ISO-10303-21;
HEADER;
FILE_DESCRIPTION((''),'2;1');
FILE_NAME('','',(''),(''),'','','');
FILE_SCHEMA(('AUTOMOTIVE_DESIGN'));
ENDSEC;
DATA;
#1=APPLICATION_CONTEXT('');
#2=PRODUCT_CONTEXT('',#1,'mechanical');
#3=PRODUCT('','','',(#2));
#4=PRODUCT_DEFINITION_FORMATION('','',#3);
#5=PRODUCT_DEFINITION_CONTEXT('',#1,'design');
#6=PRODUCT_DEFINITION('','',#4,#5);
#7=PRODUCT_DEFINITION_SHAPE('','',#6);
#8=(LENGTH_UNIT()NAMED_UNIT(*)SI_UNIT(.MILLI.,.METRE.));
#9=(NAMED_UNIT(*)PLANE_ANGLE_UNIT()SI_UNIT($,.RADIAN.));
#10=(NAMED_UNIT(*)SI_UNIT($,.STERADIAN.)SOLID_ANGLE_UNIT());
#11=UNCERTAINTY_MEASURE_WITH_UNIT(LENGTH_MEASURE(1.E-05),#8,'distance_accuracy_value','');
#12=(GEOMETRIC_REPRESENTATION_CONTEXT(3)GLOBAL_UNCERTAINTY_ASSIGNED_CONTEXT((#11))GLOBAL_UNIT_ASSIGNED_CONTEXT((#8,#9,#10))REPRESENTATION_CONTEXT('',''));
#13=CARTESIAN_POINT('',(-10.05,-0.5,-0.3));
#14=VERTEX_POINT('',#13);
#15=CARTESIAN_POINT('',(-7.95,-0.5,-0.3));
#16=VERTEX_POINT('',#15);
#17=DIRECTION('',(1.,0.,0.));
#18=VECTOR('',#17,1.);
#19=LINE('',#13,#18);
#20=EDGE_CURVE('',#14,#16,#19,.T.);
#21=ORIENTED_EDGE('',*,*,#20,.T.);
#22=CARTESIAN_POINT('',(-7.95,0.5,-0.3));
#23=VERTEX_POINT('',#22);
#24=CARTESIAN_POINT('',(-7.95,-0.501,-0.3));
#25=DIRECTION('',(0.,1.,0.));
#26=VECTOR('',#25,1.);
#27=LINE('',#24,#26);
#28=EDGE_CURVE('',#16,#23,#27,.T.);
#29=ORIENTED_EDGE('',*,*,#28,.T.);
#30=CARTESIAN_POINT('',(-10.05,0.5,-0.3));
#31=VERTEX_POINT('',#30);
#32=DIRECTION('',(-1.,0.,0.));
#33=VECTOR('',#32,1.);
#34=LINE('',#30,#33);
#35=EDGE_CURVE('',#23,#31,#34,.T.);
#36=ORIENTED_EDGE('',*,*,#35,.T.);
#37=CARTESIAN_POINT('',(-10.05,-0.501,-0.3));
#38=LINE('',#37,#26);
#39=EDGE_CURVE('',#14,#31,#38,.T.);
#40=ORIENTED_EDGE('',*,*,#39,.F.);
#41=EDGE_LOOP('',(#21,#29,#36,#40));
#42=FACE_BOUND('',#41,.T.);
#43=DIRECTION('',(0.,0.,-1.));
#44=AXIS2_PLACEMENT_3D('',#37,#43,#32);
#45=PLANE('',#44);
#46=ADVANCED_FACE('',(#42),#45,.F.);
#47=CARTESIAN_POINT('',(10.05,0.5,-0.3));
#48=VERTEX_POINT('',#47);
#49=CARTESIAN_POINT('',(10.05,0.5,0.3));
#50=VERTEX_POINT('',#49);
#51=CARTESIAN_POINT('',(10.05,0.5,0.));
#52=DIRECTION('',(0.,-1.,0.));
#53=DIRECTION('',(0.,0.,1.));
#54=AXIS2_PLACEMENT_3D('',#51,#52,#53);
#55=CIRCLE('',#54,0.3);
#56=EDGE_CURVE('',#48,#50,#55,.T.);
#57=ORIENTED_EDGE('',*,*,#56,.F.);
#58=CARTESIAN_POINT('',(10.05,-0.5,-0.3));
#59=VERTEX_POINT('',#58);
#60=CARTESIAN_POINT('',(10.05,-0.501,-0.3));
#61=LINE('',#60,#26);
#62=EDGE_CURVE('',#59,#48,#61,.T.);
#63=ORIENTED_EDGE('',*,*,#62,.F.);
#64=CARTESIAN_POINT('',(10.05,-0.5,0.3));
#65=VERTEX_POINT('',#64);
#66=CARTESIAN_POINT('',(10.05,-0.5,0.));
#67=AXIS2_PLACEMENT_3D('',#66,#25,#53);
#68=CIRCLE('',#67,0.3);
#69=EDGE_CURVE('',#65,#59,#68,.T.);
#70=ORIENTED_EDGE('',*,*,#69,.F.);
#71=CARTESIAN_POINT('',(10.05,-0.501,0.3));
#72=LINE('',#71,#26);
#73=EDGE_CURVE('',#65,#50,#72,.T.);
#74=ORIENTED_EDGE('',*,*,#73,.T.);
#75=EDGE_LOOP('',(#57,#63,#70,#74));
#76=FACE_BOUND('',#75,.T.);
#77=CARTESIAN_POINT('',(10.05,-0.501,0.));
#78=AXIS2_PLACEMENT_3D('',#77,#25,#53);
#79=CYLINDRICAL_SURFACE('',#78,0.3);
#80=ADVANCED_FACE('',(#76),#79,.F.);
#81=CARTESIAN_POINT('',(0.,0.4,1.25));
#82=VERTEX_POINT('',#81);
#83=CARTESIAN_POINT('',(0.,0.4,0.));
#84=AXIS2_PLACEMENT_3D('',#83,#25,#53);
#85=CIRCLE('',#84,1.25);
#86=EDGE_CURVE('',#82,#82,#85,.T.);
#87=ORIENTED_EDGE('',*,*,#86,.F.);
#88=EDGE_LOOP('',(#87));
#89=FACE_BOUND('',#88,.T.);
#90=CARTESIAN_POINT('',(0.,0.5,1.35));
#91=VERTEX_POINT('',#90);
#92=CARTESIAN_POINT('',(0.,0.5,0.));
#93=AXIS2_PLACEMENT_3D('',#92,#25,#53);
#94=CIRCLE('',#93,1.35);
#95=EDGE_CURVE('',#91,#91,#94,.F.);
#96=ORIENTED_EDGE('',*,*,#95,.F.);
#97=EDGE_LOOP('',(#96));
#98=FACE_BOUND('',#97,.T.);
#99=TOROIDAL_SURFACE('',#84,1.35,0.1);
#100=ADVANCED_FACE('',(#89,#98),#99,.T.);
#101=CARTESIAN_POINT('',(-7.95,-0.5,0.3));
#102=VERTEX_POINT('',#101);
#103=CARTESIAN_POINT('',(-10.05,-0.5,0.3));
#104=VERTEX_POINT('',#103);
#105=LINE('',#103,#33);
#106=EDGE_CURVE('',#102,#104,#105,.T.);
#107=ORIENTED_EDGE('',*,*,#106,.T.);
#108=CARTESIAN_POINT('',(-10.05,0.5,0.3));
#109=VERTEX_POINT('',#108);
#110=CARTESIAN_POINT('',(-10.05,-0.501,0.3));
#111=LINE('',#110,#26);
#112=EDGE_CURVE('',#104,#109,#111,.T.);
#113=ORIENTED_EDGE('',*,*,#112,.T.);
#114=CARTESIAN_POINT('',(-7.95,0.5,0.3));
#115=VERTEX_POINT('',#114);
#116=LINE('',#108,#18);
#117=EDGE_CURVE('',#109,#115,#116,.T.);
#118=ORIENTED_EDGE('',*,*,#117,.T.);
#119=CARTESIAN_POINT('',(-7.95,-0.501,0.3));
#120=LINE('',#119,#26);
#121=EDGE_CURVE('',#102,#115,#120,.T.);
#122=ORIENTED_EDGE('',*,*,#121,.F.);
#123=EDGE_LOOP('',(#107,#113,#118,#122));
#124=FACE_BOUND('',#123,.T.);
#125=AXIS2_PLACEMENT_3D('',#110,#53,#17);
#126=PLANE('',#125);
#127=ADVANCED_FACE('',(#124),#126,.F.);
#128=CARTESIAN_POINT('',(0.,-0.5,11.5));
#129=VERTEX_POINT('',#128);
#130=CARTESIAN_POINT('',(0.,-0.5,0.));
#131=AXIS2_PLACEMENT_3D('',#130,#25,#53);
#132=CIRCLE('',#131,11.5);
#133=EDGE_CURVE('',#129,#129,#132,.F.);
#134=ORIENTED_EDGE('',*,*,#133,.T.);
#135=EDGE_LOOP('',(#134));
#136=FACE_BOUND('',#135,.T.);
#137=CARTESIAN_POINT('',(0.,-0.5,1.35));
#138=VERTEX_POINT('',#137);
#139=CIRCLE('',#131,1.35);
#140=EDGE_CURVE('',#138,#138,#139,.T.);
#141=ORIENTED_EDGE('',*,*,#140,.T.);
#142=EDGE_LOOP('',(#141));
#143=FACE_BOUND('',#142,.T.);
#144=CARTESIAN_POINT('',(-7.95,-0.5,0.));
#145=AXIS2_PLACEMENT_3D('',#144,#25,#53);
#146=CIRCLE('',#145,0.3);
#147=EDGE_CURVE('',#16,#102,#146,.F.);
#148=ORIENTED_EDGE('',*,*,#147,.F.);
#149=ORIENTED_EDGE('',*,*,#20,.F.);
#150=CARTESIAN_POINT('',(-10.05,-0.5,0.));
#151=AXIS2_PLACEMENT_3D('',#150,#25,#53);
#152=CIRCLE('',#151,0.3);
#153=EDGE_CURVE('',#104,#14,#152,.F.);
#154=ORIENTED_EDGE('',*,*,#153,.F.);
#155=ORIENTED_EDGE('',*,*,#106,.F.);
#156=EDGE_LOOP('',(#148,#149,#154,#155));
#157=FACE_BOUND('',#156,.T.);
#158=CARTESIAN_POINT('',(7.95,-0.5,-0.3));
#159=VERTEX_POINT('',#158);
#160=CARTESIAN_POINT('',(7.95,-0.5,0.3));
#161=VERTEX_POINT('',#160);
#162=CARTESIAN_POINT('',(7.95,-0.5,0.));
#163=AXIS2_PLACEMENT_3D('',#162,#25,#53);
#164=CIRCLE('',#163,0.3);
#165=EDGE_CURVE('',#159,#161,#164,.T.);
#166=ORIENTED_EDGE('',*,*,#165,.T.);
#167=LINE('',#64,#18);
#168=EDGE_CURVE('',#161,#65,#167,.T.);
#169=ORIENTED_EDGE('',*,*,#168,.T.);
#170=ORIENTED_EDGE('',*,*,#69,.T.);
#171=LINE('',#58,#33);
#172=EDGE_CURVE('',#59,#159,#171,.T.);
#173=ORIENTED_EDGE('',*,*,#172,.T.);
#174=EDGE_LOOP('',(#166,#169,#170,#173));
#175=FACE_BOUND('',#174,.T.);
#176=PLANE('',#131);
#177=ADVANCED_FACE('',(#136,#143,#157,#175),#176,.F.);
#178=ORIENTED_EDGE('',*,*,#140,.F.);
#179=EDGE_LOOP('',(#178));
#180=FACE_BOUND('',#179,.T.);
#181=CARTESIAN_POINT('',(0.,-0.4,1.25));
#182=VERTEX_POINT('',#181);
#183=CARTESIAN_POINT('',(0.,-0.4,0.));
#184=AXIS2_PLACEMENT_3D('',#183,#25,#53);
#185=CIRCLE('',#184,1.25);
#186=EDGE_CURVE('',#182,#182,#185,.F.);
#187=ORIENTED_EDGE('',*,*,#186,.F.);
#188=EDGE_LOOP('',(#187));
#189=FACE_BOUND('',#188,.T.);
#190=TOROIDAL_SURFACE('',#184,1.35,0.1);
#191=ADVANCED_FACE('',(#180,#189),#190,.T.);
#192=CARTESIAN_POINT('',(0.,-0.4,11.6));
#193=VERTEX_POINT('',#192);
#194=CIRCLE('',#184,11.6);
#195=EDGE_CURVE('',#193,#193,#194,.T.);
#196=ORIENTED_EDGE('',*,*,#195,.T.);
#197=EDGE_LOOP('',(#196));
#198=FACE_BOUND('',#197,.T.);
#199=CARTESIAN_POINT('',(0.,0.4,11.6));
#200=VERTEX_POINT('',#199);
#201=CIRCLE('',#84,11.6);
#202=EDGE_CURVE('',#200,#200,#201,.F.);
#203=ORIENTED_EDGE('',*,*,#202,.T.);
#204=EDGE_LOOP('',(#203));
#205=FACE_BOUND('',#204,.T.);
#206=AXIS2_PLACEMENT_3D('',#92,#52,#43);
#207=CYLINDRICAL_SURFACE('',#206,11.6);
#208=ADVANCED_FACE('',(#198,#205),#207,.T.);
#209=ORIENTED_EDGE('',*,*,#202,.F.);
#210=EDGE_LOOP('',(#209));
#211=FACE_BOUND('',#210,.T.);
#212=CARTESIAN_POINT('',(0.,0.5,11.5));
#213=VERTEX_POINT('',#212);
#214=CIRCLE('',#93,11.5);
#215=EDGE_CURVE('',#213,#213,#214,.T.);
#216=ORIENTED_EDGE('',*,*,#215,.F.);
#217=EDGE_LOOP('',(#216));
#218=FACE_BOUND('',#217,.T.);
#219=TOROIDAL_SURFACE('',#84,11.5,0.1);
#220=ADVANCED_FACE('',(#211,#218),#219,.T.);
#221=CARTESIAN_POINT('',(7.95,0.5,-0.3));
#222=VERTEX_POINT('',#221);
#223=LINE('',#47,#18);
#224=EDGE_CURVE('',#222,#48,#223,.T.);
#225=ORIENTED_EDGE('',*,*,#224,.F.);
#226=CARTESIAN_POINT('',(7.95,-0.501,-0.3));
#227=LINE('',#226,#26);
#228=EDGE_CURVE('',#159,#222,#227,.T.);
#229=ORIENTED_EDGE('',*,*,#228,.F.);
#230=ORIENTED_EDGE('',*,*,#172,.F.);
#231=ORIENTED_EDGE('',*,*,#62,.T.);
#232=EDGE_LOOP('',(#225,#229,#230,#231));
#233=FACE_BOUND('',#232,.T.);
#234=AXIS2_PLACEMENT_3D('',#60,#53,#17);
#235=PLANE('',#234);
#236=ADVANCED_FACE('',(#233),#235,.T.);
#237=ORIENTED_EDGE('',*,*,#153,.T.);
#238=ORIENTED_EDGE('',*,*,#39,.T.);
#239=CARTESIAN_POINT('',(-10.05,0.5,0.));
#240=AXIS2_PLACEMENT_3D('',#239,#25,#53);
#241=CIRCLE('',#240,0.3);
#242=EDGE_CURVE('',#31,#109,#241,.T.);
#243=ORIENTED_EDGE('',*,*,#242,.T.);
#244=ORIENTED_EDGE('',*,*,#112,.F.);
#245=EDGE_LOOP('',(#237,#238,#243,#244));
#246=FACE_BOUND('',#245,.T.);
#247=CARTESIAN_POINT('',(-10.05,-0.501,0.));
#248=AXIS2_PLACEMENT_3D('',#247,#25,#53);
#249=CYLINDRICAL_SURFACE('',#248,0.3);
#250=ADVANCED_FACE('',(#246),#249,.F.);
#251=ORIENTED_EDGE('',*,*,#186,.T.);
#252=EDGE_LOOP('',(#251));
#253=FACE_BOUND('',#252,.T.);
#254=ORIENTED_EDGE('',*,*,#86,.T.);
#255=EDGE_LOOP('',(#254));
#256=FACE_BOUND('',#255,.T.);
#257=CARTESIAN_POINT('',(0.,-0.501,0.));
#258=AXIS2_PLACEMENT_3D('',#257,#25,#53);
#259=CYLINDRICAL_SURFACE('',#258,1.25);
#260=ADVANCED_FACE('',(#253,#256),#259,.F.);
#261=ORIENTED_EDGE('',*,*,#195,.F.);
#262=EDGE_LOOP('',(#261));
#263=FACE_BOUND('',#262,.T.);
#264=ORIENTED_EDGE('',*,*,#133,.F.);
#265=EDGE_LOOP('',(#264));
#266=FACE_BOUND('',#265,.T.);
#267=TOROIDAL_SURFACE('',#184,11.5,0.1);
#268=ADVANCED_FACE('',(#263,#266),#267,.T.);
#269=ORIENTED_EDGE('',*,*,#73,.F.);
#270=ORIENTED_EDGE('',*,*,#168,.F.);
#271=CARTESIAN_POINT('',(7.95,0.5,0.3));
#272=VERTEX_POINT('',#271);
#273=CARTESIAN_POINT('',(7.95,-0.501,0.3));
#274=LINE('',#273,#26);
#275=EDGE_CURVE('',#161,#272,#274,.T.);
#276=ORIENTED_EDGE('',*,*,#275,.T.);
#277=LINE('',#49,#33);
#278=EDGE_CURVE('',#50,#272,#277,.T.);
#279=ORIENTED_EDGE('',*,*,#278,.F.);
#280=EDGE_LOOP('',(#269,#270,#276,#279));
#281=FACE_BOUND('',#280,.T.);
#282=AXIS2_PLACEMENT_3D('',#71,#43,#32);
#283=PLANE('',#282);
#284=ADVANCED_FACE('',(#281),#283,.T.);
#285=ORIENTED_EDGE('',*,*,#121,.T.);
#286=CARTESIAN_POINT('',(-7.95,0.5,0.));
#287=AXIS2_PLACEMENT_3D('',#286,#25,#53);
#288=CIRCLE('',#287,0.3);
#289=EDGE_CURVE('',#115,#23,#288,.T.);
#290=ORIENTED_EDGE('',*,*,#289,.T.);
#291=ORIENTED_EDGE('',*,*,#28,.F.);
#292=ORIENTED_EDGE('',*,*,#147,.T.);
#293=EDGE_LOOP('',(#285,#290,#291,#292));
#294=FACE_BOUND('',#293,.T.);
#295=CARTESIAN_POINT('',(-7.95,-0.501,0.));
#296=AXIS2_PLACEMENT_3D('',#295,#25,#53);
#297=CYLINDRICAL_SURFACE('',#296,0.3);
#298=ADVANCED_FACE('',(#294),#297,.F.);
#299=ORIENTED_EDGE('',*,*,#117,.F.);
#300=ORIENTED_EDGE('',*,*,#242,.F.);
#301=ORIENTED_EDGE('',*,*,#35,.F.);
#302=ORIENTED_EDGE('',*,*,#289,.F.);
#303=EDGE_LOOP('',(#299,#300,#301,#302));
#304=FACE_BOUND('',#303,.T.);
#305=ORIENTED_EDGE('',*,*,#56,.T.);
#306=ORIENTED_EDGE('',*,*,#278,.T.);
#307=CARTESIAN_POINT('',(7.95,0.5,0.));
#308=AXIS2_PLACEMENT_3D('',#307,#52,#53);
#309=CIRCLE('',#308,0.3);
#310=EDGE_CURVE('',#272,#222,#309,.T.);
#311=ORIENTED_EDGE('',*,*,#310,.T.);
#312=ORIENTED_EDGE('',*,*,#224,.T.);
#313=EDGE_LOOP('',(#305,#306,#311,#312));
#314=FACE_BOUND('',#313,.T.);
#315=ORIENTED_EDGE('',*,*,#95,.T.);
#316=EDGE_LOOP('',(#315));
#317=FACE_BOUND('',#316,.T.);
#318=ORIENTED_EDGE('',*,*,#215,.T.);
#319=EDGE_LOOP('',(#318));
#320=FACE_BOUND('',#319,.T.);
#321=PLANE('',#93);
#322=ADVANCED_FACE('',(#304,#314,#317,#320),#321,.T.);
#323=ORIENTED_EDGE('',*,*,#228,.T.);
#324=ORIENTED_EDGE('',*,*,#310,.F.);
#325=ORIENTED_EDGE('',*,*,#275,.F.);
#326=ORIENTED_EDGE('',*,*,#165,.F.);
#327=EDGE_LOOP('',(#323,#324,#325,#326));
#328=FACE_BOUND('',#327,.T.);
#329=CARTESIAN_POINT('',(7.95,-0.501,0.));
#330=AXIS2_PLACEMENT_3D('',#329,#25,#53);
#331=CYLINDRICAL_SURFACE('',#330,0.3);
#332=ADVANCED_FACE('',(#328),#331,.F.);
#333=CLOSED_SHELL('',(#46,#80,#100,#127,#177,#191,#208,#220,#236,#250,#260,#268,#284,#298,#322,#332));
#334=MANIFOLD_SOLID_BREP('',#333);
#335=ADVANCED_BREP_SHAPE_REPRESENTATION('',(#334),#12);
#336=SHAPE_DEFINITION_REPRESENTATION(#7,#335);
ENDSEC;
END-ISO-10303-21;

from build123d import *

# Parameters (mm, degrees)
SKETCH1_R           = 11.6
BOSS_EXTRUDE1_DEPTH = 0.5
CUT_EXTRUDE1_REACH  = 18.435
CUT_EXTRUDE2_REACH  = 18.435
SKETCH3_R           = 1.25
FILLET1_R           = 0.1


with BuildPart() as part:
    # Sketch1 → Boss-Extrude1 (new, symmetric)
    with BuildSketch(Plane(origin=(0, 0, 0), x_dir=(1, 0, 0), z_dir=(0, 1, 0))):
        with Locations(Location((0, 0, 0), (0, 0, 270))):
            Circle(SKETCH1_R)
    extrude(amount=BOSS_EXTRUDE1_DEPTH, both=True)

    # Sketch2 → Cut-Extrude1 (cut, up to next)
    with BuildSketch(Plane(origin=(0, 0.5, 0), x_dir=(1, 0, 0), z_dir=(0, 1, 0)), mode=Mode.PRIVATE) as cut_extrude1_sk1:
        with BuildLine():
            Line((-10.05, 0.3), (-7.95, 0.3))
            ThreePointArc((-7.95, 0.3), (-7.65, 0), (-7.95, -0.3))
            Line((-7.95, -0.3), (-10.05, -0.3))
            ThreePointArc((-10.05, -0.3), (-10.35, 0), (-10.05, 0.3))
        make_face()
    cut_extrude1_tool1 = extrude(cut_extrude1_sk1.sketch, amount=-CUT_EXTRUDE1_REACH, mode=Mode.PRIVATE) & part.part
    cut_extrude1 = cut_extrude1_tool1.solids().sort_by_distance((-9, 0.5, 0))[0]
    add(cut_extrude1, mode=Mode.SUBTRACT)

    # Mirror1: Cut-Extrude1 across plane
    add(cut_extrude1.mirror(Plane(origin=(0, 0, 0), x_dir=(0, 0, 1), z_dir=(1, 0, 0))), mode=Mode.SUBTRACT)

    # Sketch3 → Cut-Extrude2 (cut, up to next)
    with BuildSketch(Plane(origin=(0, 0.5, 0), x_dir=(1, 0, 0), z_dir=(0, 1, 0)), mode=Mode.PRIVATE) as cut_extrude2_sk1:
        with Locations(Location((0, 0, 0), (0, 0, 270))):
            Circle(SKETCH3_R)
    cut_extrude2_tool1 = extrude(cut_extrude2_sk1.sketch, amount=-CUT_EXTRUDE2_REACH, mode=Mode.PRIVATE) & part.part
    add(cut_extrude2_tool1.solids().sort_by_distance((0, 0.5, 0))[0], mode=Mode.SUBTRACT)

    # Fillet1
    fillet1_edges = [part.edges().sort_by_distance(p)[0] for p in [
        (0, -0.5, -11.6),
        (0, 0.5, -1.25),
        (0, -0.5, -1.25),
        (0, 0.5, -11.6),
    ]]
    fillet(fillet1_edges, radius=FILLET1_R)


solid = part.part
